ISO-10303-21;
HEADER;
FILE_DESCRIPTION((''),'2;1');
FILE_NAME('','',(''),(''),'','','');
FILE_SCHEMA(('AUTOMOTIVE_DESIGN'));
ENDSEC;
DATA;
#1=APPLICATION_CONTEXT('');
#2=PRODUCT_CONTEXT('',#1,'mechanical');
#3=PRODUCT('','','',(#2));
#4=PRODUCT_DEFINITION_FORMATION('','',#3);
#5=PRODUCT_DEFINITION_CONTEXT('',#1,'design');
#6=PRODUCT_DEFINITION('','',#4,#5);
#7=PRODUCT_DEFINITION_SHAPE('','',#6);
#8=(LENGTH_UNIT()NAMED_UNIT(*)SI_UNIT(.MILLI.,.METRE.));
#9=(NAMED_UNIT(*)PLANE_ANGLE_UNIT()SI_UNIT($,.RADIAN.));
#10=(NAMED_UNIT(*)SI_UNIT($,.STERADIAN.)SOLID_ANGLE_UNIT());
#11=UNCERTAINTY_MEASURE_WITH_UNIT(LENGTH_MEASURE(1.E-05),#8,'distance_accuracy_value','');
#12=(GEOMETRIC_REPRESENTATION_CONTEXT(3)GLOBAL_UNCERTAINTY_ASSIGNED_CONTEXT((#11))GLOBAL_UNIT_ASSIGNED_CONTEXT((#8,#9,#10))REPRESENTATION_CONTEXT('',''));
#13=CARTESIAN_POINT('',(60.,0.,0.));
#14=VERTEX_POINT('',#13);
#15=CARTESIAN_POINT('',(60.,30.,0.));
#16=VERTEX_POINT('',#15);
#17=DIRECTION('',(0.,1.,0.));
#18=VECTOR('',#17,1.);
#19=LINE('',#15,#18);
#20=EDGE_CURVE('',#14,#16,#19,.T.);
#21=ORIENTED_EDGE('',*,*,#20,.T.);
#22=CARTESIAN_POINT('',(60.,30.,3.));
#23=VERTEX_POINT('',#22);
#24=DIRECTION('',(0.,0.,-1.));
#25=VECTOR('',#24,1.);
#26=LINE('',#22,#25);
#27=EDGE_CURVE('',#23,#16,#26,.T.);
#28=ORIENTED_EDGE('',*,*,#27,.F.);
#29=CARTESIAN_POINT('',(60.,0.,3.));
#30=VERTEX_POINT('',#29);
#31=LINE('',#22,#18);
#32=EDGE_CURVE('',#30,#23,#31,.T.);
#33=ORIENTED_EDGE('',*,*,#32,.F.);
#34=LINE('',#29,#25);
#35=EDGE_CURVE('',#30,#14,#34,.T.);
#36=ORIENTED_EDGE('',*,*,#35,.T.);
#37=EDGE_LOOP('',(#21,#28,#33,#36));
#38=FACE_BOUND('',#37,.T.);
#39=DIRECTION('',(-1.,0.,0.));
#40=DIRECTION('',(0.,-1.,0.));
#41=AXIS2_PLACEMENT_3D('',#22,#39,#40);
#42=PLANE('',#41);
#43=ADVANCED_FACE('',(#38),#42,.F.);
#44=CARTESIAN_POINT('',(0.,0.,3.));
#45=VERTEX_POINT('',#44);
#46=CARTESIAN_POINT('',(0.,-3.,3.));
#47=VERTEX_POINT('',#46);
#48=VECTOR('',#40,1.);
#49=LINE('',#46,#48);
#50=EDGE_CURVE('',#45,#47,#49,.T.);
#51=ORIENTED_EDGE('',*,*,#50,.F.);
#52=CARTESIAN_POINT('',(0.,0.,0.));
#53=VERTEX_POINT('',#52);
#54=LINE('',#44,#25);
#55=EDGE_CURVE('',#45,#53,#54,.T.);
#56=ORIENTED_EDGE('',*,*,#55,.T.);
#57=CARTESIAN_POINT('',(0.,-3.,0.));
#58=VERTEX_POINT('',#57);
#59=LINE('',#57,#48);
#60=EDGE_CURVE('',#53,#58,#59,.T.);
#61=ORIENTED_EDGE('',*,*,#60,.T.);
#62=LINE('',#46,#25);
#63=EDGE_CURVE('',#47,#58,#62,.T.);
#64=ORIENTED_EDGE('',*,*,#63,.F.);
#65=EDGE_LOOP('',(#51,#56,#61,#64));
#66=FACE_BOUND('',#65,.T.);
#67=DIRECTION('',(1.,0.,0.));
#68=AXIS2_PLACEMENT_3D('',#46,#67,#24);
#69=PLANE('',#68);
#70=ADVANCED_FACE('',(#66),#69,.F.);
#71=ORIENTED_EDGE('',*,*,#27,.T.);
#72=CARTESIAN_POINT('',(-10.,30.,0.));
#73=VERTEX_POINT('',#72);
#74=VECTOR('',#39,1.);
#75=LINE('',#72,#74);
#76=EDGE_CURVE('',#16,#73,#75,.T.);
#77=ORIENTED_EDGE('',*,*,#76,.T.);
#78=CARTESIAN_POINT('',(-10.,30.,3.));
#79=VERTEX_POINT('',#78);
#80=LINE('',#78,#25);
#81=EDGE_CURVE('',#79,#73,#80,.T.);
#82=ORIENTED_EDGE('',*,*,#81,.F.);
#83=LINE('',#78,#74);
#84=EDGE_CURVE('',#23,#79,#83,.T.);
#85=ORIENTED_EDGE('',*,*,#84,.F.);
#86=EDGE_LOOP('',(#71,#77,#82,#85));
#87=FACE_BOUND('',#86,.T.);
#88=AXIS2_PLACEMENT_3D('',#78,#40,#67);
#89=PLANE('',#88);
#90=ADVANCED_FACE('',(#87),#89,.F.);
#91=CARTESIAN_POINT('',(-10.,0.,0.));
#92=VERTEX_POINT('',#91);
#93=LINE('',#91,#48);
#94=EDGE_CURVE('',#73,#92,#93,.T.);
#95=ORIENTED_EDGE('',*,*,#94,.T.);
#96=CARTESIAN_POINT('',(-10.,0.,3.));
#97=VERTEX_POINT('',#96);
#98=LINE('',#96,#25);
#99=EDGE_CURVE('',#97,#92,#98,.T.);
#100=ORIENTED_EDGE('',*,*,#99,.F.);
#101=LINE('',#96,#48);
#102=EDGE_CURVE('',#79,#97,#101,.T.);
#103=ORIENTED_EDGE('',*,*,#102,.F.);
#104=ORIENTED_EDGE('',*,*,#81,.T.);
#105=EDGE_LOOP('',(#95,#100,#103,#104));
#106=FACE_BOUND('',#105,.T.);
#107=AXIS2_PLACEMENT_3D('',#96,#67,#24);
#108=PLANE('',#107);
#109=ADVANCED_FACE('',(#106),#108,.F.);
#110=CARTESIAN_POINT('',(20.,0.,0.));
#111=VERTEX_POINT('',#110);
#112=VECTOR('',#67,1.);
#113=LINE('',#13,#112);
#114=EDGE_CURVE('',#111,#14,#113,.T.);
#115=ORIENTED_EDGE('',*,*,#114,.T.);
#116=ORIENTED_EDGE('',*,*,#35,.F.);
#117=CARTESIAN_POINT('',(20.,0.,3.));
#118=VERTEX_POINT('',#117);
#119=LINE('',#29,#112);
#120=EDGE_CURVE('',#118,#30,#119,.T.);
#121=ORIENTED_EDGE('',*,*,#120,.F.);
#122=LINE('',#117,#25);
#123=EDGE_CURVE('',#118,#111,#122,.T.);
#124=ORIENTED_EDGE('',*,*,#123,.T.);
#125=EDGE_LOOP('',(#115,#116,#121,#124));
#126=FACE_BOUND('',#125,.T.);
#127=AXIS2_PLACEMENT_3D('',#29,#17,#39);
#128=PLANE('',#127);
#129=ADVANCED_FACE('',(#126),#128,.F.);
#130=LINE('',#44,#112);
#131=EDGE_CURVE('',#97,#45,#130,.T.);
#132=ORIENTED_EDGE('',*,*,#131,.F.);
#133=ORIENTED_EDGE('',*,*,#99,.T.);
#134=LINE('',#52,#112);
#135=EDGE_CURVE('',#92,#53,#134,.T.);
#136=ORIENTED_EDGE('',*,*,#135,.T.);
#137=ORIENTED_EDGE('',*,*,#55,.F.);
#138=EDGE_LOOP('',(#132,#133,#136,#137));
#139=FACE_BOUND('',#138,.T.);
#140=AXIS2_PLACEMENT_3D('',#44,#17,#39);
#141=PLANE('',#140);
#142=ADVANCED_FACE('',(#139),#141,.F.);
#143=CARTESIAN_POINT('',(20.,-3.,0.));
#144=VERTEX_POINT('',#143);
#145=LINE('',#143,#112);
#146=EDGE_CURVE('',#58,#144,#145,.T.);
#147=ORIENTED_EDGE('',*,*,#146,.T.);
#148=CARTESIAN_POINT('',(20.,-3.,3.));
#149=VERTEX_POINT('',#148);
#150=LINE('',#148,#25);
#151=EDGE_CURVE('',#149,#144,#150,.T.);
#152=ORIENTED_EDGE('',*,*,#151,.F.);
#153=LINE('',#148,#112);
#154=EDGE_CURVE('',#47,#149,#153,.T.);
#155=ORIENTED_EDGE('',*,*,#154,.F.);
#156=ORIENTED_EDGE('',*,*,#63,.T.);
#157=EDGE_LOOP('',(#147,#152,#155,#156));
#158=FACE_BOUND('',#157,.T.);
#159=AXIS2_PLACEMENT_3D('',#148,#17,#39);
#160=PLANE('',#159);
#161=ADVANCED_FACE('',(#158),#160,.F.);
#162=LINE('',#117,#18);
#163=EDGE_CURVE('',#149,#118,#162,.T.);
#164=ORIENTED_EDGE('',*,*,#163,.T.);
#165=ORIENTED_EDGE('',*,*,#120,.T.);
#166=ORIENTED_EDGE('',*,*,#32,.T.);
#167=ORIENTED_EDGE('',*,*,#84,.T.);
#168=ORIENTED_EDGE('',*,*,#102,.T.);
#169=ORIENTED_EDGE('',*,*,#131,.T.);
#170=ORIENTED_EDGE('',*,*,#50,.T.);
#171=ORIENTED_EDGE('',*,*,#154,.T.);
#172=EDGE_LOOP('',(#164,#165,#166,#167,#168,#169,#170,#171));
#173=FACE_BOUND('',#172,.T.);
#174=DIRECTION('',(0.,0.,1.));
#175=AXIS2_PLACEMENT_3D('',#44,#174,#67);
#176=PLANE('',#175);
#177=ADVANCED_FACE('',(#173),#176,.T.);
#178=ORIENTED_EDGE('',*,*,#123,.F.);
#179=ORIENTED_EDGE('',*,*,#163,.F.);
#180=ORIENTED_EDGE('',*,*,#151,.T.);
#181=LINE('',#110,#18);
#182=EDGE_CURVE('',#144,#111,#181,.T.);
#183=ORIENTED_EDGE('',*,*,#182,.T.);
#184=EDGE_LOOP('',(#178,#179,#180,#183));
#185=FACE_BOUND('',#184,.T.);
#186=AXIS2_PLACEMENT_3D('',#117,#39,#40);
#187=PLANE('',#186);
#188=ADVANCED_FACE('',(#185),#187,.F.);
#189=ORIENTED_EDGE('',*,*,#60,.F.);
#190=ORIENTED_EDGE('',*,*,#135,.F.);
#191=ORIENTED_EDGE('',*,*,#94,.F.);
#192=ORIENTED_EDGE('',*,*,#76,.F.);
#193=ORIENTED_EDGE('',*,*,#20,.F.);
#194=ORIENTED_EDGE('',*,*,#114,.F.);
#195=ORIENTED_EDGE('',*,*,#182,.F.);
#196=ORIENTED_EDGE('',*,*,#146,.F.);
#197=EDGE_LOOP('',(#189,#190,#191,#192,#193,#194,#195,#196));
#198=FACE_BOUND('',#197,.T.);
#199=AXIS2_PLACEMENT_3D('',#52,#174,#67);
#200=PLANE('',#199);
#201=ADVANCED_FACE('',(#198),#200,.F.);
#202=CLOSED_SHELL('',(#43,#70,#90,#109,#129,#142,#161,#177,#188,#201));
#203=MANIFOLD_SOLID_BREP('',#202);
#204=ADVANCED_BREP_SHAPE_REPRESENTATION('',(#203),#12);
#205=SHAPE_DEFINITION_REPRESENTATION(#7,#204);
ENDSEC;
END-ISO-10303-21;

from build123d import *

# Parameters (mm, degrees)
BOSS_EXTRUDE1_DEPTH = 3


with BuildPart() as part:
    # Sketch1 → Boss-Extrude1 (new body)
    with BuildSketch(Plane.XY):
        Polygon((0, 0), (-10, 0), (-10, 30), (60, 30), (60, 0), (20, 0), (20, -3), (0, -3), align=None)
    extrude(amount=BOSS_EXTRUDE1_DEPTH)


solid = part.part
